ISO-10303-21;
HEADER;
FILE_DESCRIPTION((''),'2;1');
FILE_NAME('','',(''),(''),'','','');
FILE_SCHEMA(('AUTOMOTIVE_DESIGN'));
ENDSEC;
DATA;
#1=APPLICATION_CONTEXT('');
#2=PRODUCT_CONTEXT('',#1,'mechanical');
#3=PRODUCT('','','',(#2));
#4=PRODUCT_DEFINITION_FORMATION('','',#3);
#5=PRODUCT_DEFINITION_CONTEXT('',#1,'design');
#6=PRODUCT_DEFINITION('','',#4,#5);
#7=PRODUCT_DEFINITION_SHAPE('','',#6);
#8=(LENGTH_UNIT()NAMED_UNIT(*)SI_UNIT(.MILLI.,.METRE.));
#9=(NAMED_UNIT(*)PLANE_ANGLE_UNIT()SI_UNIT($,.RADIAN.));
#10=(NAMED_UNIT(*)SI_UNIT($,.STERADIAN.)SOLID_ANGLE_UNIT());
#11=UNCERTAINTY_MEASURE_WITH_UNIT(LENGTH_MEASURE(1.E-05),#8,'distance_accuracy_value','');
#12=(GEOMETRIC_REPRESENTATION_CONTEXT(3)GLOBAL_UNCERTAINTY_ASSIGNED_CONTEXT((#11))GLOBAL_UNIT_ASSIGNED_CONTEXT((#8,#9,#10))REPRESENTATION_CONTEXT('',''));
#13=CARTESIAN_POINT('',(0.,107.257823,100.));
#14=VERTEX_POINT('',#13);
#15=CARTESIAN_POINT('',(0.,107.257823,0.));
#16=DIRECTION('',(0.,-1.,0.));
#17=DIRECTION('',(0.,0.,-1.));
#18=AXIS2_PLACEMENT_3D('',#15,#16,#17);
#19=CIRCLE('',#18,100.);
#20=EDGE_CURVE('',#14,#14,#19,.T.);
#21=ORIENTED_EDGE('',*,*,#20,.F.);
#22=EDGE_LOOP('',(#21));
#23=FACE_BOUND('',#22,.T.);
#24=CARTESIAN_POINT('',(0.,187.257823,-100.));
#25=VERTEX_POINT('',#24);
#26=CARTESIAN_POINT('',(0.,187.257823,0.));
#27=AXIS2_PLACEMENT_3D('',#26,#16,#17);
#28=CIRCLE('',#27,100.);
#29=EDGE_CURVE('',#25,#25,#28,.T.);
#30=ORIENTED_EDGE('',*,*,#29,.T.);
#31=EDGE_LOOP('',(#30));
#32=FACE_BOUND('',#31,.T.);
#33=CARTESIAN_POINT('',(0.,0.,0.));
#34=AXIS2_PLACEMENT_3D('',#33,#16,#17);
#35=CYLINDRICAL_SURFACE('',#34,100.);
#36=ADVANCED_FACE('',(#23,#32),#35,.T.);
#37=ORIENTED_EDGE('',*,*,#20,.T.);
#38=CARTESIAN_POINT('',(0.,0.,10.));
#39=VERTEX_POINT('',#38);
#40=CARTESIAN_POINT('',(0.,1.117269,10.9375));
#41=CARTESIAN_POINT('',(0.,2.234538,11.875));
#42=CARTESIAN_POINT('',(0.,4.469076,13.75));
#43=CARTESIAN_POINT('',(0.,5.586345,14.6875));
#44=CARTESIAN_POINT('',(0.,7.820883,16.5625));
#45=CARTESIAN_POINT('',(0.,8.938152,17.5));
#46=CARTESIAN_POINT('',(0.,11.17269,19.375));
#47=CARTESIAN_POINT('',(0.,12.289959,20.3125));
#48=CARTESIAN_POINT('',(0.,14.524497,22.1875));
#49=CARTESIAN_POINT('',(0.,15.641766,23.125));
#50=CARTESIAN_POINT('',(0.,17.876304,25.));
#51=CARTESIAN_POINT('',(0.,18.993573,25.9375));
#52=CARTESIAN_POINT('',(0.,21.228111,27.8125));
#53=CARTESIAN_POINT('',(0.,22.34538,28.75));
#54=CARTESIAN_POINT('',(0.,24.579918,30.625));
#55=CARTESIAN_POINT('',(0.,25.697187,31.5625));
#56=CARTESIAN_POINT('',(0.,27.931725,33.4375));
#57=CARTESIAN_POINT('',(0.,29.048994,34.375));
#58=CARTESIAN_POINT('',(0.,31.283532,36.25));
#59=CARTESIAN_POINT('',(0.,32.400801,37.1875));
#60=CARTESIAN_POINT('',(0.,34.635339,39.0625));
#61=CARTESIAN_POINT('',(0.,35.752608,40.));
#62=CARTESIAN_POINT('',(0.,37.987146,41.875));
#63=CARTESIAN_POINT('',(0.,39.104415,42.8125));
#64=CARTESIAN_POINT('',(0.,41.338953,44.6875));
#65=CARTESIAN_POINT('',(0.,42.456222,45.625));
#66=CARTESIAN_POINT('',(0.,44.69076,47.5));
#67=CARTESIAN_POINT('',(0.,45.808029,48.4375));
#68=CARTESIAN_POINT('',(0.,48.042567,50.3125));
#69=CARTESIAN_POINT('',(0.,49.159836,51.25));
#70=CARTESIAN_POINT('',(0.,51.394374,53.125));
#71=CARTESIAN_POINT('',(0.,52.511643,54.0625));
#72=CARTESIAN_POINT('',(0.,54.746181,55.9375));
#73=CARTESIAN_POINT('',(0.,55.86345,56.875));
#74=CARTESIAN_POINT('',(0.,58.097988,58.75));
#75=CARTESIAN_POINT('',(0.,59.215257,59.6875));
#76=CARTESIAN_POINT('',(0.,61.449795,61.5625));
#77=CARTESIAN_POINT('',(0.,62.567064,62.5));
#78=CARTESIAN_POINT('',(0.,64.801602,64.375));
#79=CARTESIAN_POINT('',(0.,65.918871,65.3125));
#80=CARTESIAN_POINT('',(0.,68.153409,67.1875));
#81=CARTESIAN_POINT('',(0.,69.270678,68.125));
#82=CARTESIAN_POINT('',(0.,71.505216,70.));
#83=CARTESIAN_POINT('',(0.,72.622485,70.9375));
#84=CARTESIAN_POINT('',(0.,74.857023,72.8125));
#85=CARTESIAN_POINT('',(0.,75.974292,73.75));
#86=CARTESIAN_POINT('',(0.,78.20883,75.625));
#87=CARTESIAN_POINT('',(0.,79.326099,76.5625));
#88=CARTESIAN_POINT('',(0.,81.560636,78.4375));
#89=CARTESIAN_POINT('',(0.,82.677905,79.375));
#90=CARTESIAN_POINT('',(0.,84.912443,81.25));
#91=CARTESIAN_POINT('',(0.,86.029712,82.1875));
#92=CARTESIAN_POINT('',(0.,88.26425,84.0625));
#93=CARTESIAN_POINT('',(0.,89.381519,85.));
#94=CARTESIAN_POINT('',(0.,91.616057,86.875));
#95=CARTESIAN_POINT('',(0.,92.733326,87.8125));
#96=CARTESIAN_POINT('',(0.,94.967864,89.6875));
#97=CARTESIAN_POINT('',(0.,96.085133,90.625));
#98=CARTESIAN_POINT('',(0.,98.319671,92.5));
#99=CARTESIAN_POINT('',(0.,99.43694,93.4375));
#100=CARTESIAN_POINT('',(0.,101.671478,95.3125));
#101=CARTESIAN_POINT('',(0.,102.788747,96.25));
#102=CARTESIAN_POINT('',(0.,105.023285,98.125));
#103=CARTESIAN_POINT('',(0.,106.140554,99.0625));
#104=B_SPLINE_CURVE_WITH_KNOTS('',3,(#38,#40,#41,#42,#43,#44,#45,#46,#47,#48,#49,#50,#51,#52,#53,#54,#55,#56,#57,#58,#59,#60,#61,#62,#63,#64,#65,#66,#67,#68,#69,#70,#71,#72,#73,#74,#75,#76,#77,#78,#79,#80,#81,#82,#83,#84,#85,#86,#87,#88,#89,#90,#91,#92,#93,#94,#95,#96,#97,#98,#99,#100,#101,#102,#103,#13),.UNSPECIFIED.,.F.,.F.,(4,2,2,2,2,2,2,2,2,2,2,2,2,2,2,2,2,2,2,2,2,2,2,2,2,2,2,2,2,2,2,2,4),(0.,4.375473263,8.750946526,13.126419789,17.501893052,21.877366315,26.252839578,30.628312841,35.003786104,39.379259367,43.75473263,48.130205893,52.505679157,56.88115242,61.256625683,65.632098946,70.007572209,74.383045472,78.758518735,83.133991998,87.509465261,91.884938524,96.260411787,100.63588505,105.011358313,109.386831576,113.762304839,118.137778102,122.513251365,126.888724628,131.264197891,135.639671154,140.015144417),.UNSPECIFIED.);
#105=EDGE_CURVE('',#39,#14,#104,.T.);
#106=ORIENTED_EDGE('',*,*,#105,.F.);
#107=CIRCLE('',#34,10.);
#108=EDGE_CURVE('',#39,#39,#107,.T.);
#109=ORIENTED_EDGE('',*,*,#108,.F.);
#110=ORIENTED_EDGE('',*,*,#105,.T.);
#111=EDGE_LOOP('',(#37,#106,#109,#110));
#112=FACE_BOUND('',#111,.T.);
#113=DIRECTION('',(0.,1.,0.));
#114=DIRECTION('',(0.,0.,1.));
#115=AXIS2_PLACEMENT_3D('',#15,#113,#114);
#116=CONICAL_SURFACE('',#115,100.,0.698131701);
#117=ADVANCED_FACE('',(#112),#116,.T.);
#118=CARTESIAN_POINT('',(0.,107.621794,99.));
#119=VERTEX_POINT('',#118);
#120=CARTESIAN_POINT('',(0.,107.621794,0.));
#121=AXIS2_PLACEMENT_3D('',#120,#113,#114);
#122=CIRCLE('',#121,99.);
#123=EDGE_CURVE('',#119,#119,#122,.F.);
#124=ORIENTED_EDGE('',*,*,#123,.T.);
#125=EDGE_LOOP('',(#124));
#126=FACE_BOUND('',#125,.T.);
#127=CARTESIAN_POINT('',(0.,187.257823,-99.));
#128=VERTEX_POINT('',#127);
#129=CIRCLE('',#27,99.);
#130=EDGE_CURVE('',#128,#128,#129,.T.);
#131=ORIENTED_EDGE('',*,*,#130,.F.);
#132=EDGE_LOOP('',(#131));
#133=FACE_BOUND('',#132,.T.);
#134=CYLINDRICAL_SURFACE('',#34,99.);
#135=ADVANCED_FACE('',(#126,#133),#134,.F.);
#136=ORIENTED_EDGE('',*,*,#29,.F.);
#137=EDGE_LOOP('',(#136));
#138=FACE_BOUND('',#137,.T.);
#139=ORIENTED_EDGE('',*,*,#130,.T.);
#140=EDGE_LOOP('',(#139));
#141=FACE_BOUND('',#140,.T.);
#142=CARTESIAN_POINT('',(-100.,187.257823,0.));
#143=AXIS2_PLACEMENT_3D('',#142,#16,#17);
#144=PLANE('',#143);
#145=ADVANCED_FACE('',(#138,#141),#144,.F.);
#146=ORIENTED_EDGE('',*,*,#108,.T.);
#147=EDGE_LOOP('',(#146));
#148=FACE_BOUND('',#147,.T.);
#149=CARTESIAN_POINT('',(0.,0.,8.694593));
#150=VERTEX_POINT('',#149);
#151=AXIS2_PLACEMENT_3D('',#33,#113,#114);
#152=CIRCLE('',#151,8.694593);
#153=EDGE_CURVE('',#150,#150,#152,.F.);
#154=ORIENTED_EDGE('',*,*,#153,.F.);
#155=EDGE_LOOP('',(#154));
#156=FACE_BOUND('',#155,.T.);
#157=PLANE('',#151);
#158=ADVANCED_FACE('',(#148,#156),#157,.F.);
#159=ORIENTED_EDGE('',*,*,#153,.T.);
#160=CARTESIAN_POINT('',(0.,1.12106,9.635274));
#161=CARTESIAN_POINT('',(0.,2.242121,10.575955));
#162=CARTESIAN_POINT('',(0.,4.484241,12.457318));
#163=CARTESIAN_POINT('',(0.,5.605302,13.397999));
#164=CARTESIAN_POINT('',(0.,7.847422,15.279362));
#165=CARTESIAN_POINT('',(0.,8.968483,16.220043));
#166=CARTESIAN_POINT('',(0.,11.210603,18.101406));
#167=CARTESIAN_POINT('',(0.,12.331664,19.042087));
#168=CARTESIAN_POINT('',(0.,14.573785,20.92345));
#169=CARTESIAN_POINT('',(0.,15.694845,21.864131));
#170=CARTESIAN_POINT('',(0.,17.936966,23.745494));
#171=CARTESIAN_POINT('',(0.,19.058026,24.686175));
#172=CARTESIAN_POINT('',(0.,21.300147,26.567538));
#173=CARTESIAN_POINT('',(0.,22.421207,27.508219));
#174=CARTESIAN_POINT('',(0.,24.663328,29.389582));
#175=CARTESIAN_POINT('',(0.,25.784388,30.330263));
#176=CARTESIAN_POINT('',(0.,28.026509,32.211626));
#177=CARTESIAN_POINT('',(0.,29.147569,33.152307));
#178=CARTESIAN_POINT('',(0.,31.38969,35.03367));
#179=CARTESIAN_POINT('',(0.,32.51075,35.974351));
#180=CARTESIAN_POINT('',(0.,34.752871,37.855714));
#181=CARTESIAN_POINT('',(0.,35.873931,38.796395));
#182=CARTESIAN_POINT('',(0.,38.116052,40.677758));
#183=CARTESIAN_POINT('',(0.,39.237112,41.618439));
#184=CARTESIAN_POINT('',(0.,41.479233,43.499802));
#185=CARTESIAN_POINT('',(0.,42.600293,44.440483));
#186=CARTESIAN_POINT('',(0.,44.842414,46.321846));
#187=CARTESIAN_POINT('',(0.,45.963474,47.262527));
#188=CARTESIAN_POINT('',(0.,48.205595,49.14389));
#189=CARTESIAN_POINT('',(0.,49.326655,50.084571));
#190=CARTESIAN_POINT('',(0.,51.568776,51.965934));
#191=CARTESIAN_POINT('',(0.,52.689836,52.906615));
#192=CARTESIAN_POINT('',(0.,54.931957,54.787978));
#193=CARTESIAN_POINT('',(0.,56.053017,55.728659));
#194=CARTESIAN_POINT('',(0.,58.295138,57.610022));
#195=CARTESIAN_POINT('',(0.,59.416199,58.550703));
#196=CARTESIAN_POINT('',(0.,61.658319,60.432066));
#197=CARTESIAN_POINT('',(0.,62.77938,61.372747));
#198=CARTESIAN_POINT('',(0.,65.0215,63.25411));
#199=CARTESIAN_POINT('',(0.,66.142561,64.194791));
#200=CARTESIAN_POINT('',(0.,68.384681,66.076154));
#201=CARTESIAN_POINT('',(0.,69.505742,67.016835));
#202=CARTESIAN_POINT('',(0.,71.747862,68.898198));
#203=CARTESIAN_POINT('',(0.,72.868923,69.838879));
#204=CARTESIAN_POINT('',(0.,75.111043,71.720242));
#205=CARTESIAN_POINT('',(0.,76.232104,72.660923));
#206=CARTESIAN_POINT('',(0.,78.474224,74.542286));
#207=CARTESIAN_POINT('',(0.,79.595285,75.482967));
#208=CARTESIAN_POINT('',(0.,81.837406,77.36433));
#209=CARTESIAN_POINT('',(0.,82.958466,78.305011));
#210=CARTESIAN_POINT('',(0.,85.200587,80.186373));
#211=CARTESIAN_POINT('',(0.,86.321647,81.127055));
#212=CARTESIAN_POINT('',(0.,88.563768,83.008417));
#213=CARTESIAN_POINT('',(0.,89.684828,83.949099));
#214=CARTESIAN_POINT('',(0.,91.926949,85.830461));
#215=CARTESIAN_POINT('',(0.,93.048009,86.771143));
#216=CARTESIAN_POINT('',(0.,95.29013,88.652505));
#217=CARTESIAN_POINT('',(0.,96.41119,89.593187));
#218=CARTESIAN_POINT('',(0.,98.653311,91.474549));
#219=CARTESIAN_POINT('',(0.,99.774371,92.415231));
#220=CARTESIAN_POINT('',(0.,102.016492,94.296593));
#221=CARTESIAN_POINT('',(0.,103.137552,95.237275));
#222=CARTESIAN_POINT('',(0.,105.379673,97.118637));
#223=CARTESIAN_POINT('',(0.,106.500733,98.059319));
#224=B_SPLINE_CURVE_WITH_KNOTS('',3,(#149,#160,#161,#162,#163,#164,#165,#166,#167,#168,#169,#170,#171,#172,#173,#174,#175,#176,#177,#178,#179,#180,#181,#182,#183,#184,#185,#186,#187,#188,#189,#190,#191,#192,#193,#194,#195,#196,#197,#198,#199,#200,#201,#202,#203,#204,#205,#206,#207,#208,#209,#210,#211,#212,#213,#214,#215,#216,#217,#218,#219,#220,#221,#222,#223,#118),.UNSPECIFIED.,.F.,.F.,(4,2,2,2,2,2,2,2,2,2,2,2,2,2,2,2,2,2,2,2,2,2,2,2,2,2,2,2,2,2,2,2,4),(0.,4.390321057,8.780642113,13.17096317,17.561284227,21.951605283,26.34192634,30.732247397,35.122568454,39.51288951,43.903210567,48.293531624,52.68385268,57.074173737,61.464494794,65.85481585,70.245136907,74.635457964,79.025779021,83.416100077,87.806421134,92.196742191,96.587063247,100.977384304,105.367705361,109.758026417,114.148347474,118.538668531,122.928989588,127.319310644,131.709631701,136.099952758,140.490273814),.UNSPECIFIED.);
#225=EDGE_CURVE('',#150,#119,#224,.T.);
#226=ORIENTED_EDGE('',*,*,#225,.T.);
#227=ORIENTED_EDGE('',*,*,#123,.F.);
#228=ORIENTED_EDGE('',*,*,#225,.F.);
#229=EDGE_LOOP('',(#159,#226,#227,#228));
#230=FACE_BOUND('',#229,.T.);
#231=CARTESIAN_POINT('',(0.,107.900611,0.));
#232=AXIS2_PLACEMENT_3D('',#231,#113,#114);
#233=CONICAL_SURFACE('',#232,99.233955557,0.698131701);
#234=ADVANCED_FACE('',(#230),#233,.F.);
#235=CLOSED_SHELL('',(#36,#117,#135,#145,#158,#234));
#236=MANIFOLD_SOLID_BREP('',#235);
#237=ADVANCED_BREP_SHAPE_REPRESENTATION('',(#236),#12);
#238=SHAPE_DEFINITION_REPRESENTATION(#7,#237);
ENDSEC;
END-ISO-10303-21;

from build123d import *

# Parameters (mm, degrees)
SHELL1_T = -1


with BuildPart() as part:
    # Sketch1 → Revolve1 (revolve)
    with BuildSketch(Plane.XY, mode=Mode.PRIVATE) as revolve1_sk:
        Polygon((-100, 187.257823333), (-100, 107.257823333), (-10, 0), (0, 0), (0, 187.257823333), align=None)
    revolve(revolve1_sk.sketch.rotate(Axis((0, 0, 0), (0, 1, 0)), 90), axis=Axis((0, 0, 0), (0, 1, 0)))

    # Shell1
    shell1_openings = [part.faces().sort_by_distance(p)[0] for p in [
        (0, 0, 0),
        (0, 187.257823333, 0),
    ]]
    offset(amount=SHELL1_T, openings=shell1_openings, kind=Kind.INTERSECTION)


solid = part.part
